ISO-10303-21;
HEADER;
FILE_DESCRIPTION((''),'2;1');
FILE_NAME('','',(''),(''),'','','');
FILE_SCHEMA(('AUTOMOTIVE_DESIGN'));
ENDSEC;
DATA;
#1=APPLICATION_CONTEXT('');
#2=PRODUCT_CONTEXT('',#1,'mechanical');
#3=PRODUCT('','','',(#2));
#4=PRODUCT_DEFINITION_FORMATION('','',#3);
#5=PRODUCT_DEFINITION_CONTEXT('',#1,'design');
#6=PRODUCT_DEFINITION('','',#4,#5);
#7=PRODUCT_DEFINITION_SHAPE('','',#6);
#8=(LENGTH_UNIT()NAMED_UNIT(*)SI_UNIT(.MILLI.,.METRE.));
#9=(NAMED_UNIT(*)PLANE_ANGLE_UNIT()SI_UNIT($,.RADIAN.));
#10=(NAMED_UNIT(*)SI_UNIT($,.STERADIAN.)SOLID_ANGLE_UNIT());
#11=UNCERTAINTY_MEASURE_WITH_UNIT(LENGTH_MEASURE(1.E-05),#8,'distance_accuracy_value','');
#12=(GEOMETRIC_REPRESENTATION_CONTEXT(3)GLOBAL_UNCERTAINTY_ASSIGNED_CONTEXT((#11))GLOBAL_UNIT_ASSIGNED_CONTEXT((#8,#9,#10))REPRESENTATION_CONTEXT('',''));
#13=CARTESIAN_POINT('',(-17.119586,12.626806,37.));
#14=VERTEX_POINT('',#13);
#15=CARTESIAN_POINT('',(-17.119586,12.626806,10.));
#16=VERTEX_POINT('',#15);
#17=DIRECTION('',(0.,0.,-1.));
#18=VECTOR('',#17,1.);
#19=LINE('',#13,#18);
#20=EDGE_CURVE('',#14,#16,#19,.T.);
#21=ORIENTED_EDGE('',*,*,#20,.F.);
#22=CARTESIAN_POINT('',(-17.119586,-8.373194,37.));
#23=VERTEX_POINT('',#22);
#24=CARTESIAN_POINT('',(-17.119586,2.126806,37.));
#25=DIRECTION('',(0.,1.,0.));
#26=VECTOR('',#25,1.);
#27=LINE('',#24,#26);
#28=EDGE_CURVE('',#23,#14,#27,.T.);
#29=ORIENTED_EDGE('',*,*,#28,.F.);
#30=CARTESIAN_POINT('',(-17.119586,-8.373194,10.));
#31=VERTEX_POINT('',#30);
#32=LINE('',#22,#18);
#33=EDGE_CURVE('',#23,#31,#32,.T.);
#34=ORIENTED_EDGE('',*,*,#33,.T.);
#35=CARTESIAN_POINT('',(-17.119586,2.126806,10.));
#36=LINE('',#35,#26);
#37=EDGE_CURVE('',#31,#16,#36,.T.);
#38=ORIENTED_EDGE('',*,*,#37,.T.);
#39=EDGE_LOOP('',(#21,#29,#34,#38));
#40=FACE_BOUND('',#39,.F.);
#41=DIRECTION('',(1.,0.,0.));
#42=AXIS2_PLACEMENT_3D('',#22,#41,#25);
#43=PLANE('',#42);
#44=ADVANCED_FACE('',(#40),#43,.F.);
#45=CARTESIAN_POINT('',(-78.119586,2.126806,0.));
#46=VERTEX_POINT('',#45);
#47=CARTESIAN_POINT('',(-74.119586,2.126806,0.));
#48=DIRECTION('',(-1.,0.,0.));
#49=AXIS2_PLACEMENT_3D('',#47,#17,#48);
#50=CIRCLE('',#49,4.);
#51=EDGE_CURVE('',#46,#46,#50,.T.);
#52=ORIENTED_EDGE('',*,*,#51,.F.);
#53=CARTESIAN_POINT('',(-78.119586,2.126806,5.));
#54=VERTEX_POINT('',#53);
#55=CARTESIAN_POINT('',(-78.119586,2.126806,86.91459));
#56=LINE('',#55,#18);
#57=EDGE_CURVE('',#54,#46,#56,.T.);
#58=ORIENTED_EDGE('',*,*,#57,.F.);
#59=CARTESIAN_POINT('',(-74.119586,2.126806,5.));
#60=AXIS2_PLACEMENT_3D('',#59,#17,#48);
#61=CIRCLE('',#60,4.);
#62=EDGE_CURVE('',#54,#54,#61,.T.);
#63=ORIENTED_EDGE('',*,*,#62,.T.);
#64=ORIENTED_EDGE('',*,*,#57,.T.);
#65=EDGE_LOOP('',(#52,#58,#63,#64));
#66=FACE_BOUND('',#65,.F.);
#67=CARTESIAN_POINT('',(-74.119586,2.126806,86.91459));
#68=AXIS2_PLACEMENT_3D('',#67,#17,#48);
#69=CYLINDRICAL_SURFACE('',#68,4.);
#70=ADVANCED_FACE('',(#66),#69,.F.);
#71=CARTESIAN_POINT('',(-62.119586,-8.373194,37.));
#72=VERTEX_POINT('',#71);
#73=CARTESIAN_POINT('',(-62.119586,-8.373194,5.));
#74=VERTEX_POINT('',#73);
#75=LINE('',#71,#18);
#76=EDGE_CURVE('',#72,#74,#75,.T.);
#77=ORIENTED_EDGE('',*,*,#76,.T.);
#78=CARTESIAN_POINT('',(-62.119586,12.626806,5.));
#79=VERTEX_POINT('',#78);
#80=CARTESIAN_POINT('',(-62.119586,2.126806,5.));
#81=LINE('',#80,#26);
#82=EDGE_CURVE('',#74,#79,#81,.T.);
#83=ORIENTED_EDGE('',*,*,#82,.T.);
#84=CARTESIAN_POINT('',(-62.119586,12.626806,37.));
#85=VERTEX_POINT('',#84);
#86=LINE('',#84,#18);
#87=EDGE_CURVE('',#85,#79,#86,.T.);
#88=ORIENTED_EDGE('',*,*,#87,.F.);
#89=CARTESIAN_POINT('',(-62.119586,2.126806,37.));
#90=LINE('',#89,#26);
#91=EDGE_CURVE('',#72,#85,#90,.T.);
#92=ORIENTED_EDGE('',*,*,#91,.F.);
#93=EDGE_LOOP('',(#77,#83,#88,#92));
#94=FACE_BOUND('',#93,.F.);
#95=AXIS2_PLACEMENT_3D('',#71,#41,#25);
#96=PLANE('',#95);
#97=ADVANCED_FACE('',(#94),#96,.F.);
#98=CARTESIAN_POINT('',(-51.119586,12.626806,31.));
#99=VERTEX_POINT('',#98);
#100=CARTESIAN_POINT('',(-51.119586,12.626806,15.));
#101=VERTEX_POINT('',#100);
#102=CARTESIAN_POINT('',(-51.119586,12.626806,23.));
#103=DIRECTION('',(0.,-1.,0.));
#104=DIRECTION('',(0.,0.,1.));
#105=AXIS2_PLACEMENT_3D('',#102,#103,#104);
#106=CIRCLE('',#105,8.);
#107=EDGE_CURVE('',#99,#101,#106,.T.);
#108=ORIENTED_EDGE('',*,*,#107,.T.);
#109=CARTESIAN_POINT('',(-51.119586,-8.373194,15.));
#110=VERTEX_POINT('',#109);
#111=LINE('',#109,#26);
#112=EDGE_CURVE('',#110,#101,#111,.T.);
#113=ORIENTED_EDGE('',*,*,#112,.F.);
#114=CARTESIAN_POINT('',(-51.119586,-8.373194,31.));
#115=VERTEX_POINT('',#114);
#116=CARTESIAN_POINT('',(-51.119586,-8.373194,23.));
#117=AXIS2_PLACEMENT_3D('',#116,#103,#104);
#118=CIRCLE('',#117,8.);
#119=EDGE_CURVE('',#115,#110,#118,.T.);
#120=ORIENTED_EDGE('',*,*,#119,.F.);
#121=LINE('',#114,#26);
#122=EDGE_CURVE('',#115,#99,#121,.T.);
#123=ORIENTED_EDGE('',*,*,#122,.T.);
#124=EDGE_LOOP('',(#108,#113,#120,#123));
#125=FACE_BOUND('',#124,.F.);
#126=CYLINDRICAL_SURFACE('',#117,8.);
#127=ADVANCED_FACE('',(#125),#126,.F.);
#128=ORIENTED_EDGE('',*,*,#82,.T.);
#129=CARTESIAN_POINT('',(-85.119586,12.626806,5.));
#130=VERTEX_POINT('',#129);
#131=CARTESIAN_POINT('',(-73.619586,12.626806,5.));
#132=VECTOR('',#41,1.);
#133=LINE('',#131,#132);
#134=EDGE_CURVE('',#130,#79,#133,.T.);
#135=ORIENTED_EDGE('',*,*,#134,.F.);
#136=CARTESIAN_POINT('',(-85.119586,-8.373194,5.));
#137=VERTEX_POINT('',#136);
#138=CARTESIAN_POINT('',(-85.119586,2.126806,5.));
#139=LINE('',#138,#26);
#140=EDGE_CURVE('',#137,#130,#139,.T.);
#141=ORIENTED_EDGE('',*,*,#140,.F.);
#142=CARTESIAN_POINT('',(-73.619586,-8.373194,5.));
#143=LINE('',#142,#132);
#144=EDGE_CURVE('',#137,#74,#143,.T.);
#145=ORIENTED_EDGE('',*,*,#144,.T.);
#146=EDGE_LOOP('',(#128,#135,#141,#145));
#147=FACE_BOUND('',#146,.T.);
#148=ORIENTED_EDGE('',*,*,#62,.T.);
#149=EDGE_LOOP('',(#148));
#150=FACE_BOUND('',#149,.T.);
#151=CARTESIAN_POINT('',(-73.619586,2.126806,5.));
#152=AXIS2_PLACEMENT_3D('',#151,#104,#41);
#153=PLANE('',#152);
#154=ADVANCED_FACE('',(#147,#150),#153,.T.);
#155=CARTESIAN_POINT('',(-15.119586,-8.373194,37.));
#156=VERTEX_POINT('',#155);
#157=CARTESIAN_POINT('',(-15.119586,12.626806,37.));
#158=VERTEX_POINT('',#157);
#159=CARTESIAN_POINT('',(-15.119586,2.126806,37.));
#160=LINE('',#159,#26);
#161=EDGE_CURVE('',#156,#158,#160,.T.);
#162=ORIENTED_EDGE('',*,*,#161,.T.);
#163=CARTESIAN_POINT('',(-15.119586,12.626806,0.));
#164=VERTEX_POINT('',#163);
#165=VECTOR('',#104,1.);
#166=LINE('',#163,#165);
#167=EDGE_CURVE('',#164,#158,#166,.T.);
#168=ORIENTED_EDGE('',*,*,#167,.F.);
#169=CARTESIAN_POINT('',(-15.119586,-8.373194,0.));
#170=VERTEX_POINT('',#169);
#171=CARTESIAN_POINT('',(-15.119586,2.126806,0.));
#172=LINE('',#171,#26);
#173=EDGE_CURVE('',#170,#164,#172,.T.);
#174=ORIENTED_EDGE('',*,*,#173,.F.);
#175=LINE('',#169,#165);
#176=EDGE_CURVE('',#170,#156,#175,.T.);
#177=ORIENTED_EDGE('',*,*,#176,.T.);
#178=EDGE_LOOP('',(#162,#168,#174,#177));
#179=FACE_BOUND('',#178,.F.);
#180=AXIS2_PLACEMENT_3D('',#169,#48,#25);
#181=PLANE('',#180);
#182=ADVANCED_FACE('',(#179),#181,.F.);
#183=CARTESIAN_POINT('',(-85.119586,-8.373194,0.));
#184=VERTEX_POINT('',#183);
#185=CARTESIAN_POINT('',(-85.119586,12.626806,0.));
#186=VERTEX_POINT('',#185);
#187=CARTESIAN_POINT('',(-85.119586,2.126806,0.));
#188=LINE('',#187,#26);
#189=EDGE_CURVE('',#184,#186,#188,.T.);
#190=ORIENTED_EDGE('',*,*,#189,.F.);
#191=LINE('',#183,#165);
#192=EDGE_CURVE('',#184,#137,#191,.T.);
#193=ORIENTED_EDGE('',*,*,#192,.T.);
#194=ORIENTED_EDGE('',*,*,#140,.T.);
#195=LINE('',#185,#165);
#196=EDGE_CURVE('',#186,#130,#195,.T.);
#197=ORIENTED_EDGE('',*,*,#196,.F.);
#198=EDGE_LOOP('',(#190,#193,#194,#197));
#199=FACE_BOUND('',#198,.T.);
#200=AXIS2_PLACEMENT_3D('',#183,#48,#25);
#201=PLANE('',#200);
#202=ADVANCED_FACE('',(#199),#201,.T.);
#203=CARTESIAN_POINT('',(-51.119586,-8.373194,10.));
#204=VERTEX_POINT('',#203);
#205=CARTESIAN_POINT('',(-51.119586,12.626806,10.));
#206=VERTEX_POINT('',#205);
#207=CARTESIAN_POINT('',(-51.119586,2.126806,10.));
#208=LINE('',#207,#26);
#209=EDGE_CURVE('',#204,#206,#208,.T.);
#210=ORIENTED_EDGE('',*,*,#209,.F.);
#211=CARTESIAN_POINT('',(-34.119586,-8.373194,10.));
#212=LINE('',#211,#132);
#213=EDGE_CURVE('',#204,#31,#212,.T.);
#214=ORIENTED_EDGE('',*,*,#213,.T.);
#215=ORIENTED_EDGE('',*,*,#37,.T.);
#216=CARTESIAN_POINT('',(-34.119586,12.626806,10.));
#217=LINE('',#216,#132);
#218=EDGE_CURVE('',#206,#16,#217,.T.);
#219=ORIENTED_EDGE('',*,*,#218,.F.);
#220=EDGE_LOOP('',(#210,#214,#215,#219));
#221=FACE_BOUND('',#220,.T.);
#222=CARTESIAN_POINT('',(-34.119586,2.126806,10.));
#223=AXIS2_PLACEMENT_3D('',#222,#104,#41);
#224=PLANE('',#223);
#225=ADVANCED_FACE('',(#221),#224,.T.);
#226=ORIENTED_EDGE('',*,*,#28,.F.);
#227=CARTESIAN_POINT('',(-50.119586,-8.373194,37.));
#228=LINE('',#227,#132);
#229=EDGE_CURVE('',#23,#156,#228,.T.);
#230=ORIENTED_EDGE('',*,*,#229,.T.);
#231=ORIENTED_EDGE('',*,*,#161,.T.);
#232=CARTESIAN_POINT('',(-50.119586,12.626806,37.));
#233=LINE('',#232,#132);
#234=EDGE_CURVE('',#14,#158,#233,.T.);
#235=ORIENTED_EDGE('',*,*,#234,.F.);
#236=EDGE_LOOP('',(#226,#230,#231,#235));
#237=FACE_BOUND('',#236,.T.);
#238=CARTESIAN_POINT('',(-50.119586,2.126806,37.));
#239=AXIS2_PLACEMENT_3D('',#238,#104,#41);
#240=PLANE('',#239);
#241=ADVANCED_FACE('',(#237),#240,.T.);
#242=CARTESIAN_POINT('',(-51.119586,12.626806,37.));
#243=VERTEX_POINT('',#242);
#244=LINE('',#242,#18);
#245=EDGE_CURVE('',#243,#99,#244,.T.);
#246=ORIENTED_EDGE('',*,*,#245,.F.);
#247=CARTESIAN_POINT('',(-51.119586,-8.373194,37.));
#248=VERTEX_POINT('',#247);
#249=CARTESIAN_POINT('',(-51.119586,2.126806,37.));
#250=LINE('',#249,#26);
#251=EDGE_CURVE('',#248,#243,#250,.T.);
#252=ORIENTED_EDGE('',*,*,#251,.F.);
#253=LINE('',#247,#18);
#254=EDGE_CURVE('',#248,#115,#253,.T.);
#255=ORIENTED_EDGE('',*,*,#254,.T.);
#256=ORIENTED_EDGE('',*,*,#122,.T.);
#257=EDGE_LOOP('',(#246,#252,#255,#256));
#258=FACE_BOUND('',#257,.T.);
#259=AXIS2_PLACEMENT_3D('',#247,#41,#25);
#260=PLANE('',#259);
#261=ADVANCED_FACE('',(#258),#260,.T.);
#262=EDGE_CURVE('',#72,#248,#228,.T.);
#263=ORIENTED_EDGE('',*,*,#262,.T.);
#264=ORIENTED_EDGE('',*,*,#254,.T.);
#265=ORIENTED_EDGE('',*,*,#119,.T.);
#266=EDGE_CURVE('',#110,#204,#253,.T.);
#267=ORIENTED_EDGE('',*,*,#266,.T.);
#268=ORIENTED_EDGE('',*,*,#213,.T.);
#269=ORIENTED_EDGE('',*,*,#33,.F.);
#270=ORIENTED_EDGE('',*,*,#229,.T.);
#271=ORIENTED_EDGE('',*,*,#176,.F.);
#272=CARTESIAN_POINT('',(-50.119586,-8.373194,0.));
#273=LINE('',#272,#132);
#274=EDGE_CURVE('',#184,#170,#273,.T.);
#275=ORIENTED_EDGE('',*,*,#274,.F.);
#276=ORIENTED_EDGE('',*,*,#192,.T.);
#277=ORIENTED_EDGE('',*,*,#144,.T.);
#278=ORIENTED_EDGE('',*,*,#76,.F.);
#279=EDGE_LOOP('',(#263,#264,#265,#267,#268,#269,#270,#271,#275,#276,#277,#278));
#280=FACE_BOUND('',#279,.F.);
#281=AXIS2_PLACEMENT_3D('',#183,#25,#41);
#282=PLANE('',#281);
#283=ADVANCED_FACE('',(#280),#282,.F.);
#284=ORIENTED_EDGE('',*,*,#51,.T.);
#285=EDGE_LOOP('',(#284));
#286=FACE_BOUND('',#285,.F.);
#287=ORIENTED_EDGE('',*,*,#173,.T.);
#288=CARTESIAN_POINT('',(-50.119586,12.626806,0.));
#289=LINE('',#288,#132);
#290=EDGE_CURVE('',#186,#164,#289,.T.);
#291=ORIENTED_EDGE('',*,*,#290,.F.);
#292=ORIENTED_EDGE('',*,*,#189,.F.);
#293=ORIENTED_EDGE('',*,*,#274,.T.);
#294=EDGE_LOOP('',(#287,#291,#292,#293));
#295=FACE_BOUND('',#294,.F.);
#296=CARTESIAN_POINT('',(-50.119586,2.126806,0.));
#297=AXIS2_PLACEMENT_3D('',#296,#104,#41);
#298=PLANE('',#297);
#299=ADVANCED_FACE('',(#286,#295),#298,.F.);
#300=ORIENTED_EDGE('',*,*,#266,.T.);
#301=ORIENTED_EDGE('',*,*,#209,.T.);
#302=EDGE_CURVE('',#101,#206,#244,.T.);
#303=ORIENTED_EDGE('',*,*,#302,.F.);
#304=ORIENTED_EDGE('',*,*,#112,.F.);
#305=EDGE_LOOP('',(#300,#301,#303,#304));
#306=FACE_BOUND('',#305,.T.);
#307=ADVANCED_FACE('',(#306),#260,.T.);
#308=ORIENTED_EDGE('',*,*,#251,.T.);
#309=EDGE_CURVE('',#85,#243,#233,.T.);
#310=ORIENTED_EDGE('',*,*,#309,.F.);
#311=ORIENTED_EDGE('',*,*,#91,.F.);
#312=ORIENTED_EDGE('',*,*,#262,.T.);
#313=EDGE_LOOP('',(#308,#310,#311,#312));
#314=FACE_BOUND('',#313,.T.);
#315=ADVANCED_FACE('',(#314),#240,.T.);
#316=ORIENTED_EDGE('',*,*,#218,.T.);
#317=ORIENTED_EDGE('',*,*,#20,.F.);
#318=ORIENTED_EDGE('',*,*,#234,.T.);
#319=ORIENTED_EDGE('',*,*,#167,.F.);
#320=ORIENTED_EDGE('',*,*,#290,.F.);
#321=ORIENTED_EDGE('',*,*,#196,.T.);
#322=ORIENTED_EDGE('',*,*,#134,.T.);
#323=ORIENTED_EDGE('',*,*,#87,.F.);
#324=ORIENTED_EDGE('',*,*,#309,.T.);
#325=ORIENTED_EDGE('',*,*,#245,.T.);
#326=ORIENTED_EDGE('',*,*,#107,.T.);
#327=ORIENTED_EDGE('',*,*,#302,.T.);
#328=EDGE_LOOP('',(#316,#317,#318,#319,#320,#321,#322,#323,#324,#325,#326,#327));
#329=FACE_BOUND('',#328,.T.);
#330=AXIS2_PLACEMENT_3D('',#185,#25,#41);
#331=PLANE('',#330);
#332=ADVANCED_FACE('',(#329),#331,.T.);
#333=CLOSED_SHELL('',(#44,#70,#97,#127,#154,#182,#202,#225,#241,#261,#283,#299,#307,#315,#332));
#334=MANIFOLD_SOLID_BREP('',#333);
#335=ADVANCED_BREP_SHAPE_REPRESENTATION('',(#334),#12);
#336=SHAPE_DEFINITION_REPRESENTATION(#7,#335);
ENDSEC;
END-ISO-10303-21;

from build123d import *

# Parameters (mm, degrees)
F0_W     = 70
F0_H     = 21
F1_DEPTH = 37
F2_W     = 34
F2_H     = 21
F3_DEPTH = 27
F5_DEPTH = 21
F6_W     = 23
F6_H     = 21
F7_DEPTH = 32
F9_D     = 8


with BuildPart() as f1:
    # F0 (on Top) → F1 (new body)
    with BuildSketch(Plane.XY):
        with Locations((-50.1195863448, 2.1268057005)):
            Rectangle(F0_W, F0_H)
    extrude(amount=F1_DEPTH)

    # F2 (on face) → F3 (cut)
    with BuildSketch(Plane.XY.offset(37)):
        with Locations((-34.1195863448, 2.1268057005)):
            Rectangle(F2_W, F2_H)
    extrude(amount=-F3_DEPTH, mode=Mode.SUBTRACT)

    # F4 (on face) → F5 (cut)
    with BuildSketch(Plane.XZ.offset(8.3731942995)):
        with BuildLine():
            Line((-51.1195863448, 15), (-51.1195863448, 31))
            ThreePointArc((-51.1195863448, 31), (-59.1195863448, 23), (-51.1195863448, 15))
        make_face()
    extrude(amount=-F5_DEPTH, mode=Mode.SUBTRACT)

    # F6 (on face) → F7 (cut)
    with BuildSketch(Plane.XY.offset(37)):
        with Locations((-73.6195863448, 2.1268057005)):
            Rectangle(F6_W, F6_H)
    extrude(amount=-F7_DEPTH, mode=Mode.SUBTRACT)

    # F9 (through all)
    with Locations(Plane.XY.offset(5)):
        with Locations((-74.1195863448, 2.1268057005)):
            Hole(F9_D / 2)


solid = f1.part
